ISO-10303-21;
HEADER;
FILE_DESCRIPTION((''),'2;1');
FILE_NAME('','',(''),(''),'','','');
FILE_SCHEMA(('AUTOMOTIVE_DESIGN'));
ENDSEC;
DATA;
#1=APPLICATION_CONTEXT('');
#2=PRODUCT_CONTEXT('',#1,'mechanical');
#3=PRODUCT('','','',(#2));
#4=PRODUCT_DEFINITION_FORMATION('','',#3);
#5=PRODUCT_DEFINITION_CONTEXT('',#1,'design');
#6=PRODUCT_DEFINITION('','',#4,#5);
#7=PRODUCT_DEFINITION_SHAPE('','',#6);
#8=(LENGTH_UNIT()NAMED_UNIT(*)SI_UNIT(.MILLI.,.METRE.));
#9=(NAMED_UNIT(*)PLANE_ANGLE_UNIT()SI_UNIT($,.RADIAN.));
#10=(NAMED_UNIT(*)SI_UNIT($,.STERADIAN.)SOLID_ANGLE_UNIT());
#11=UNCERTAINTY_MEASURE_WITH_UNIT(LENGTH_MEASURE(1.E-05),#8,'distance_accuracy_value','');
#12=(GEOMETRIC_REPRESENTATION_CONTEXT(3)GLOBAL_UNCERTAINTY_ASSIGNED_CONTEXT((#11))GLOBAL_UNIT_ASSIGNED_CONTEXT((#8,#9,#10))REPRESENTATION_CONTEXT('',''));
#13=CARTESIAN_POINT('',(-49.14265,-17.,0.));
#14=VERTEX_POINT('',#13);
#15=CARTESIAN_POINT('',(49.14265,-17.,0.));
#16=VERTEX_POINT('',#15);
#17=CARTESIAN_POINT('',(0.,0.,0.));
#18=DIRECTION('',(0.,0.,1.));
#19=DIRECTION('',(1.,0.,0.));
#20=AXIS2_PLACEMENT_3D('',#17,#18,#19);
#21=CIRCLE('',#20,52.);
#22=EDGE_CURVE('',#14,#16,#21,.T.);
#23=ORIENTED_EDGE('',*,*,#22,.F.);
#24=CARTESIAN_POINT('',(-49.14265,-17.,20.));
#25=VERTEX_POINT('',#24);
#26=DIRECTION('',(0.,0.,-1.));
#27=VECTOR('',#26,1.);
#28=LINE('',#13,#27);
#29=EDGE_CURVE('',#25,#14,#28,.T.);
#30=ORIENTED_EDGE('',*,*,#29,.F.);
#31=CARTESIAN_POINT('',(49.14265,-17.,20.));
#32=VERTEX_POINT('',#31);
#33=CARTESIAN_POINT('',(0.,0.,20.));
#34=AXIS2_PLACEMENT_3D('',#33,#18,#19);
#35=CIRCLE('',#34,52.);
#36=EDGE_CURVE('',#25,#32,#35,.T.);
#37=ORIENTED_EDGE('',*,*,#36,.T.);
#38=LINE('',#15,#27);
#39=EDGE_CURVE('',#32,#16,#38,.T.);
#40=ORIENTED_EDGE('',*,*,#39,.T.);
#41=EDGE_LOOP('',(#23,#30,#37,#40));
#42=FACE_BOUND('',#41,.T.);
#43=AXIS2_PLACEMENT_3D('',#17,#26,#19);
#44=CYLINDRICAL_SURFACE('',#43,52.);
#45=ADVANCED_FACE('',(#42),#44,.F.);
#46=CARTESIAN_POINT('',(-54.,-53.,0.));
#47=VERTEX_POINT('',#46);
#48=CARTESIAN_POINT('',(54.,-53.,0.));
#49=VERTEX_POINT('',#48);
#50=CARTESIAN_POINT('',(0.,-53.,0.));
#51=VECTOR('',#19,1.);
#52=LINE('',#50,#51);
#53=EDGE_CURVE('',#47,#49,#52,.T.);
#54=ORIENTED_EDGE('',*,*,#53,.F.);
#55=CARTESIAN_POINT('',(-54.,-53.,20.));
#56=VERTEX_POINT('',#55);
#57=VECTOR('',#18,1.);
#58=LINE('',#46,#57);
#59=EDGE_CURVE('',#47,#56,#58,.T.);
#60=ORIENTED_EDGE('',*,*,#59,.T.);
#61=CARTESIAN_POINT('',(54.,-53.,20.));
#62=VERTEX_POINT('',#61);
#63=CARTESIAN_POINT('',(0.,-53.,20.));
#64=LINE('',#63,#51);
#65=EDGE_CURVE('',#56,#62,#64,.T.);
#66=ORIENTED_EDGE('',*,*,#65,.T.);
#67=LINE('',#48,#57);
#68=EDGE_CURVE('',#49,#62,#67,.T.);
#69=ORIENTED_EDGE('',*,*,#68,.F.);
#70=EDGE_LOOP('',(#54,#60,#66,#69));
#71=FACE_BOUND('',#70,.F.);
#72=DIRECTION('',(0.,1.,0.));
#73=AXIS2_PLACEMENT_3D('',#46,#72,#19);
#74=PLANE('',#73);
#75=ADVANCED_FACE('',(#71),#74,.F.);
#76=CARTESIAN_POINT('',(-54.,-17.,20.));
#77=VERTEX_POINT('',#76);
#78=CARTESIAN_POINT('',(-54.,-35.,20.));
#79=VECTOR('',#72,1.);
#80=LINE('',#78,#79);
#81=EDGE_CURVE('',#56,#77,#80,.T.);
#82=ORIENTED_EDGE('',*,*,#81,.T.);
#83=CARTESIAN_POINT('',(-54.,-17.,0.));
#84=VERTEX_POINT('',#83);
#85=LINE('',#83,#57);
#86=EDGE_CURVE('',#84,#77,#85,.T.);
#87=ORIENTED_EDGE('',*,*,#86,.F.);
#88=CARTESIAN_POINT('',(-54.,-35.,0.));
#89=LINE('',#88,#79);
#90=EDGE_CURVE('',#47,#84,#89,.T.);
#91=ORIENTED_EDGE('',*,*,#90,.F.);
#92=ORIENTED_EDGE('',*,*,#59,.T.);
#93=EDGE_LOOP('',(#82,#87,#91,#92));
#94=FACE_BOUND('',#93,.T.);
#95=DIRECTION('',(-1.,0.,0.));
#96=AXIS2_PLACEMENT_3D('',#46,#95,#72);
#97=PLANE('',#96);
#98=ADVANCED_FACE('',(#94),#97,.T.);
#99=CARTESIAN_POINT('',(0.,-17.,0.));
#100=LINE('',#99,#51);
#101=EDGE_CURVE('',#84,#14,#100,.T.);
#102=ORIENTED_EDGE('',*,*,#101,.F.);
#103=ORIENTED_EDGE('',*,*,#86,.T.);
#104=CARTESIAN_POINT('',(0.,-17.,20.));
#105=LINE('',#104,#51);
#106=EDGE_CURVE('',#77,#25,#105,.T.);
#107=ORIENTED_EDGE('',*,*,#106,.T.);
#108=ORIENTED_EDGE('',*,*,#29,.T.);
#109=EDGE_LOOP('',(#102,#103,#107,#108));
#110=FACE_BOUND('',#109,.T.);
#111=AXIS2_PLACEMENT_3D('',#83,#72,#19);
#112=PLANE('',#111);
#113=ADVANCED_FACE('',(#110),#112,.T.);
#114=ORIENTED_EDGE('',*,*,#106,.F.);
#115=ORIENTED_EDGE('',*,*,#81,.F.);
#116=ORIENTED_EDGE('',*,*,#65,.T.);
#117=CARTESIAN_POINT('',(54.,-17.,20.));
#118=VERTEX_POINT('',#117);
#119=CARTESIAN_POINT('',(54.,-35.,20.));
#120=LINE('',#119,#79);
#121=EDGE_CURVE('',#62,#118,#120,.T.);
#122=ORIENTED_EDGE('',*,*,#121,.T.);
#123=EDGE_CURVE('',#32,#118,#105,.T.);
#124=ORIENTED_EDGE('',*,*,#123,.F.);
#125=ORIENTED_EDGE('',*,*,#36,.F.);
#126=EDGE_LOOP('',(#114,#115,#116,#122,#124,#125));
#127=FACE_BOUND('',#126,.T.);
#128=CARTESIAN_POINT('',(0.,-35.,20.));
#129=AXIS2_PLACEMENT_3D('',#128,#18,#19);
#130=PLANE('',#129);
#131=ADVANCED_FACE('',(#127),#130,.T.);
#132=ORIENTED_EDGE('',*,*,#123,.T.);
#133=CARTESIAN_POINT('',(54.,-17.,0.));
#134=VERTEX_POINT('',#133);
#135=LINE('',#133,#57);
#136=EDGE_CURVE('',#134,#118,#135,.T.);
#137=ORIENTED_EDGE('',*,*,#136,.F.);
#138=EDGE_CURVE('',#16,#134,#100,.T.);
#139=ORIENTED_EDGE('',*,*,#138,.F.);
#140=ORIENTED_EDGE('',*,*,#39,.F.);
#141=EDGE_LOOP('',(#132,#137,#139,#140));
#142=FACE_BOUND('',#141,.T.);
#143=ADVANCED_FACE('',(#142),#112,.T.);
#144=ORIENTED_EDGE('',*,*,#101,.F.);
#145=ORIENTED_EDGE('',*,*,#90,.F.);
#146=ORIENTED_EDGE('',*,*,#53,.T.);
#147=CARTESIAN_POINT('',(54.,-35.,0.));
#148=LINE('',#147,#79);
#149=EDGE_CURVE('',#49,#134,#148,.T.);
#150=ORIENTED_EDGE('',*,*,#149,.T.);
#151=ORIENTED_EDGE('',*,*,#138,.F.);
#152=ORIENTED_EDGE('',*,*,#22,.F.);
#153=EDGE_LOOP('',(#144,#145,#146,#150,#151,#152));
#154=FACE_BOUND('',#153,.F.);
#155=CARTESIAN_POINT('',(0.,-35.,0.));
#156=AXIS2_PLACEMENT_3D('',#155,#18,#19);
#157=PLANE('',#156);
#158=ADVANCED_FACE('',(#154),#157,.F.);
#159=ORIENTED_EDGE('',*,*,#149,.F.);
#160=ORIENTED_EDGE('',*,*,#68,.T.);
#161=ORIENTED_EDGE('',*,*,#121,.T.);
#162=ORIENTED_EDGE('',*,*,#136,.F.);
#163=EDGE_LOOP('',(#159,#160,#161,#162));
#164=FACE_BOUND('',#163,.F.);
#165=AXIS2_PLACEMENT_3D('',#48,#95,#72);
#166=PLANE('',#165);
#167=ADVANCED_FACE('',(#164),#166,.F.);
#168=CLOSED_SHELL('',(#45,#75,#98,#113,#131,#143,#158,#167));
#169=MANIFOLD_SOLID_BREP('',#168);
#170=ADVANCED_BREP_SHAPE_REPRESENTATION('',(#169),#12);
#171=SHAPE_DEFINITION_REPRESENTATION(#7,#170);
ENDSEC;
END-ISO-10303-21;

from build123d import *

# Parameters (mm, degrees)
CYLINDER131_R               = 1.5
CYLINDER131_DEPTH           = 4
CYLINDER129_R               = 1.5
CYLINDER129_DEPTH           = 100
BOX043_W                    = 2
BOX043_H                    = 6
BOX043_DEPTH                = 6
COMPOUND160_PLACEMENT_ANGLE = 90
CYLINDER127_R               = 1.5
CYLINDER127_DEPTH           = 4
CYLINDER130_R               = 1.5
CYLINDER130_DEPTH           = 100
BOX042_W                    = 2
BOX042_H                    = 6
BOX042_DEPTH                = 6
COMPOUND161_PLACEMENT_ANGLE = 90
CYLINDER128_R               = 52
CYLINDER128_DEPTH           = 20
BOX044_W                    = 108
BOX044_H                    = 36
BOX044_DEPTH                = 20


with BuildPart() as v_lec131:
    # Cylinder131 → Cylinder131 (new body)
    with BuildSketch(Plane(origin=(-4, 3, 3), x_dir=(0, 0, -1), z_dir=(1, 0, 0))):
        Circle(CYLINDER131_R)
    extrude(amount=CYLINDER131_DEPTH)


with BuildPart() as v_lec129:
    # Cylinder129 → Cylinder129 (new body)
    with BuildSketch(Plane(origin=(2, 3, 3), x_dir=(0, 0, -1), z_dir=(1, 0, 0))):
        Circle(CYLINDER129_R)
    extrude(amount=CYLINDER129_DEPTH)


with BuildPart() as compound160:
    # Box043 → Box043 (new body)
    with BuildSketch(Plane.XY):
        with Locations((1, 3)):
            Rectangle(BOX043_W, BOX043_H)
    extrude(amount=BOX043_DEPTH)

    # Compound160: union Válec131, Válec129
    add(v_lec131.part)
    add(v_lec129.part)


with BuildPart() as compound160_1:
    # Compound160 placement: moved
    add(compound160.part.moved(Location((-54, 166, 27))).rotate(Axis((-54, 166, 27), (0, 0, -1)), COMPOUND160_PLACEMENT_ANGLE))


with BuildPart() as v_lec127:
    # Cylinder127 → Cylinder127 (new body)
    with BuildSketch(Plane(origin=(-4, 3, 3), x_dir=(0, 0, -1), z_dir=(1, 0, 0))):
        Circle(CYLINDER127_R)
    extrude(amount=CYLINDER127_DEPTH)


with BuildPart() as v_lec130:
    # Cylinder130 → Cylinder130 (new body)
    with BuildSketch(Plane(origin=(2, 3, 3), x_dir=(0, 0, -1), z_dir=(1, 0, 0))):
        Circle(CYLINDER130_R)
    extrude(amount=CYLINDER130_DEPTH)


with BuildPart() as fusion005:
    # Box042 → Box042 (new body)
    with BuildSketch(Plane.XY):
        with Locations((1, 3)):
            Rectangle(BOX042_W, BOX042_H)
    extrude(amount=BOX042_DEPTH)

    # Compound161: union Válec127, Válec130
    add(v_lec127.part)
    add(v_lec130.part)


with BuildPart() as fusion005_1:
    # Compound161 placement: moved
    add(fusion005.part.moved(Location((48, 166, 27))).rotate(Axis((48, 166, 27), (0, 0, -1)), COMPOUND161_PLACEMENT_ANGLE))

    # Fusion005: union Compound160
    add(compound160_1.part)


with BuildPart() as v_lec128:
    # Cylinder128 → Cylinder128 (new body)
    with BuildSketch(Plane.XY.offset(20)):
        Circle(CYLINDER128_R)
    extrude(amount=CYLINDER128_DEPTH)


with BuildPart() as cut060:
    # Box044 → Box044 (new body)
    with BuildSketch(Plane(origin=(-54, -53, 20), x_dir=(1, 0, 0), z_dir=(0, 0, 1))):
        with Locations((54, 18)):
            Rectangle(BOX044_W, BOX044_H)
    extrude(amount=BOX044_DEPTH)

    # Cut061: cut Válec128
    add(v_lec128.part, mode=Mode.SUBTRACT)

    # Cut060: cut Fusion005
    add(fusion005_1.part, mode=Mode.SUBTRACT)


with BuildPart() as cut060_1:
    # Cut060 placement: moved
    add(cut060.part.moved(Location((0, 0, -20))))


solid = cut060_1.part
